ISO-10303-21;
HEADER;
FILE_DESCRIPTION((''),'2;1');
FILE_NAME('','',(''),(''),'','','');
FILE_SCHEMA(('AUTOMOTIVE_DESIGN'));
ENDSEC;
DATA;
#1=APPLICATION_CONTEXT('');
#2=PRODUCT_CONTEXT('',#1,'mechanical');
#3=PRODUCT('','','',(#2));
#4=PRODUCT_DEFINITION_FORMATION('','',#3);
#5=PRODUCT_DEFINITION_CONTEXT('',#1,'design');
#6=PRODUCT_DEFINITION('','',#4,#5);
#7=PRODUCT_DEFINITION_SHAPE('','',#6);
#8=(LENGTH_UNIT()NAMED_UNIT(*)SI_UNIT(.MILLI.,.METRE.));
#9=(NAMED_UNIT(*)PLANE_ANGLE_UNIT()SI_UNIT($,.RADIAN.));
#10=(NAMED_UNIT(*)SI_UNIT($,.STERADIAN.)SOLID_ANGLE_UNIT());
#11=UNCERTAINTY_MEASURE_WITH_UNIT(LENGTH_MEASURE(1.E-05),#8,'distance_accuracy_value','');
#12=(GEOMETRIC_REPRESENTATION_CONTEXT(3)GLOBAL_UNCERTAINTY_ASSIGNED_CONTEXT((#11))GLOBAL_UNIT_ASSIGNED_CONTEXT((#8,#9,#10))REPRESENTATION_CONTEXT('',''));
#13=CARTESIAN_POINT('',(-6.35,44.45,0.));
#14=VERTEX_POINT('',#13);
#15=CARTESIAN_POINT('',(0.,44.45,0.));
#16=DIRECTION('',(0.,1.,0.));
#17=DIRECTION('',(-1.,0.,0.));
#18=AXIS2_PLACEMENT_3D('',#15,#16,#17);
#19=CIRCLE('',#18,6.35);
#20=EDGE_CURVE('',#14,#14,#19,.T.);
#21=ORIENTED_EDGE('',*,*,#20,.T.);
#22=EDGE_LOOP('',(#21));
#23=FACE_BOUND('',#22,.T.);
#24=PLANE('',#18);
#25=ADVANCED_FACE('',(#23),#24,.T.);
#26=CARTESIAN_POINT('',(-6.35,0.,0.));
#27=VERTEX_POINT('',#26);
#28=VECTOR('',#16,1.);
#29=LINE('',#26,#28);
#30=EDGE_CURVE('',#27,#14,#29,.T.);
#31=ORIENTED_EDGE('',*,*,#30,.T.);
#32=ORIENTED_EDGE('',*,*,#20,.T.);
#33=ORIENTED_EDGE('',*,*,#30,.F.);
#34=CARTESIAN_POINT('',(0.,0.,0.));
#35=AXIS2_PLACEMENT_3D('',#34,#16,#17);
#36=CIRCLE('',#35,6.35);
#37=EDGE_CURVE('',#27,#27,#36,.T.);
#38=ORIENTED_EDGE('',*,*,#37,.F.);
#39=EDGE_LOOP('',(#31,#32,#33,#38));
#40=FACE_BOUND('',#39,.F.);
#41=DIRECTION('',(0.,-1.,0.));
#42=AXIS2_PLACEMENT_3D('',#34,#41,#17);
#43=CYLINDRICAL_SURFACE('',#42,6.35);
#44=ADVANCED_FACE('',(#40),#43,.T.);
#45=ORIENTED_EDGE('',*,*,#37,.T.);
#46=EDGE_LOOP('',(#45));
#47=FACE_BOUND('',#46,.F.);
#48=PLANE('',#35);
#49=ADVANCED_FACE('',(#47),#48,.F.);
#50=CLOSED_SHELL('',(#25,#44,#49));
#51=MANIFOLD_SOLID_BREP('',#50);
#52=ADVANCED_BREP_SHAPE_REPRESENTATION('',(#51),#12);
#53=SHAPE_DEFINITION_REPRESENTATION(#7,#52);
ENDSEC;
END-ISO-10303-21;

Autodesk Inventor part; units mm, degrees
ref_plane "YZ Plane" through (0, 0, 0) normal (1, 0, 0) x (0, 1, 0)
ref_plane "XZ Plane" through (0, 0, 0) normal (0, 1, 0) x (-1, 0, 0)
ref_plane "XY Plane" through (0, 0, 0) normal (0, 0, 1) x (1, 0, 0)
sketch "Sketch1" plane through (0, 0, 0) normal (0, 1, 0) x (-1, 0, 0)
  circle A0 centre (0, 0) radius 6.35
  dimension "d0" = 12.7
extrude "Extrusion1" add sketch "Sketch1" along normal blind 44.45
properties part number ".5inShaft"
